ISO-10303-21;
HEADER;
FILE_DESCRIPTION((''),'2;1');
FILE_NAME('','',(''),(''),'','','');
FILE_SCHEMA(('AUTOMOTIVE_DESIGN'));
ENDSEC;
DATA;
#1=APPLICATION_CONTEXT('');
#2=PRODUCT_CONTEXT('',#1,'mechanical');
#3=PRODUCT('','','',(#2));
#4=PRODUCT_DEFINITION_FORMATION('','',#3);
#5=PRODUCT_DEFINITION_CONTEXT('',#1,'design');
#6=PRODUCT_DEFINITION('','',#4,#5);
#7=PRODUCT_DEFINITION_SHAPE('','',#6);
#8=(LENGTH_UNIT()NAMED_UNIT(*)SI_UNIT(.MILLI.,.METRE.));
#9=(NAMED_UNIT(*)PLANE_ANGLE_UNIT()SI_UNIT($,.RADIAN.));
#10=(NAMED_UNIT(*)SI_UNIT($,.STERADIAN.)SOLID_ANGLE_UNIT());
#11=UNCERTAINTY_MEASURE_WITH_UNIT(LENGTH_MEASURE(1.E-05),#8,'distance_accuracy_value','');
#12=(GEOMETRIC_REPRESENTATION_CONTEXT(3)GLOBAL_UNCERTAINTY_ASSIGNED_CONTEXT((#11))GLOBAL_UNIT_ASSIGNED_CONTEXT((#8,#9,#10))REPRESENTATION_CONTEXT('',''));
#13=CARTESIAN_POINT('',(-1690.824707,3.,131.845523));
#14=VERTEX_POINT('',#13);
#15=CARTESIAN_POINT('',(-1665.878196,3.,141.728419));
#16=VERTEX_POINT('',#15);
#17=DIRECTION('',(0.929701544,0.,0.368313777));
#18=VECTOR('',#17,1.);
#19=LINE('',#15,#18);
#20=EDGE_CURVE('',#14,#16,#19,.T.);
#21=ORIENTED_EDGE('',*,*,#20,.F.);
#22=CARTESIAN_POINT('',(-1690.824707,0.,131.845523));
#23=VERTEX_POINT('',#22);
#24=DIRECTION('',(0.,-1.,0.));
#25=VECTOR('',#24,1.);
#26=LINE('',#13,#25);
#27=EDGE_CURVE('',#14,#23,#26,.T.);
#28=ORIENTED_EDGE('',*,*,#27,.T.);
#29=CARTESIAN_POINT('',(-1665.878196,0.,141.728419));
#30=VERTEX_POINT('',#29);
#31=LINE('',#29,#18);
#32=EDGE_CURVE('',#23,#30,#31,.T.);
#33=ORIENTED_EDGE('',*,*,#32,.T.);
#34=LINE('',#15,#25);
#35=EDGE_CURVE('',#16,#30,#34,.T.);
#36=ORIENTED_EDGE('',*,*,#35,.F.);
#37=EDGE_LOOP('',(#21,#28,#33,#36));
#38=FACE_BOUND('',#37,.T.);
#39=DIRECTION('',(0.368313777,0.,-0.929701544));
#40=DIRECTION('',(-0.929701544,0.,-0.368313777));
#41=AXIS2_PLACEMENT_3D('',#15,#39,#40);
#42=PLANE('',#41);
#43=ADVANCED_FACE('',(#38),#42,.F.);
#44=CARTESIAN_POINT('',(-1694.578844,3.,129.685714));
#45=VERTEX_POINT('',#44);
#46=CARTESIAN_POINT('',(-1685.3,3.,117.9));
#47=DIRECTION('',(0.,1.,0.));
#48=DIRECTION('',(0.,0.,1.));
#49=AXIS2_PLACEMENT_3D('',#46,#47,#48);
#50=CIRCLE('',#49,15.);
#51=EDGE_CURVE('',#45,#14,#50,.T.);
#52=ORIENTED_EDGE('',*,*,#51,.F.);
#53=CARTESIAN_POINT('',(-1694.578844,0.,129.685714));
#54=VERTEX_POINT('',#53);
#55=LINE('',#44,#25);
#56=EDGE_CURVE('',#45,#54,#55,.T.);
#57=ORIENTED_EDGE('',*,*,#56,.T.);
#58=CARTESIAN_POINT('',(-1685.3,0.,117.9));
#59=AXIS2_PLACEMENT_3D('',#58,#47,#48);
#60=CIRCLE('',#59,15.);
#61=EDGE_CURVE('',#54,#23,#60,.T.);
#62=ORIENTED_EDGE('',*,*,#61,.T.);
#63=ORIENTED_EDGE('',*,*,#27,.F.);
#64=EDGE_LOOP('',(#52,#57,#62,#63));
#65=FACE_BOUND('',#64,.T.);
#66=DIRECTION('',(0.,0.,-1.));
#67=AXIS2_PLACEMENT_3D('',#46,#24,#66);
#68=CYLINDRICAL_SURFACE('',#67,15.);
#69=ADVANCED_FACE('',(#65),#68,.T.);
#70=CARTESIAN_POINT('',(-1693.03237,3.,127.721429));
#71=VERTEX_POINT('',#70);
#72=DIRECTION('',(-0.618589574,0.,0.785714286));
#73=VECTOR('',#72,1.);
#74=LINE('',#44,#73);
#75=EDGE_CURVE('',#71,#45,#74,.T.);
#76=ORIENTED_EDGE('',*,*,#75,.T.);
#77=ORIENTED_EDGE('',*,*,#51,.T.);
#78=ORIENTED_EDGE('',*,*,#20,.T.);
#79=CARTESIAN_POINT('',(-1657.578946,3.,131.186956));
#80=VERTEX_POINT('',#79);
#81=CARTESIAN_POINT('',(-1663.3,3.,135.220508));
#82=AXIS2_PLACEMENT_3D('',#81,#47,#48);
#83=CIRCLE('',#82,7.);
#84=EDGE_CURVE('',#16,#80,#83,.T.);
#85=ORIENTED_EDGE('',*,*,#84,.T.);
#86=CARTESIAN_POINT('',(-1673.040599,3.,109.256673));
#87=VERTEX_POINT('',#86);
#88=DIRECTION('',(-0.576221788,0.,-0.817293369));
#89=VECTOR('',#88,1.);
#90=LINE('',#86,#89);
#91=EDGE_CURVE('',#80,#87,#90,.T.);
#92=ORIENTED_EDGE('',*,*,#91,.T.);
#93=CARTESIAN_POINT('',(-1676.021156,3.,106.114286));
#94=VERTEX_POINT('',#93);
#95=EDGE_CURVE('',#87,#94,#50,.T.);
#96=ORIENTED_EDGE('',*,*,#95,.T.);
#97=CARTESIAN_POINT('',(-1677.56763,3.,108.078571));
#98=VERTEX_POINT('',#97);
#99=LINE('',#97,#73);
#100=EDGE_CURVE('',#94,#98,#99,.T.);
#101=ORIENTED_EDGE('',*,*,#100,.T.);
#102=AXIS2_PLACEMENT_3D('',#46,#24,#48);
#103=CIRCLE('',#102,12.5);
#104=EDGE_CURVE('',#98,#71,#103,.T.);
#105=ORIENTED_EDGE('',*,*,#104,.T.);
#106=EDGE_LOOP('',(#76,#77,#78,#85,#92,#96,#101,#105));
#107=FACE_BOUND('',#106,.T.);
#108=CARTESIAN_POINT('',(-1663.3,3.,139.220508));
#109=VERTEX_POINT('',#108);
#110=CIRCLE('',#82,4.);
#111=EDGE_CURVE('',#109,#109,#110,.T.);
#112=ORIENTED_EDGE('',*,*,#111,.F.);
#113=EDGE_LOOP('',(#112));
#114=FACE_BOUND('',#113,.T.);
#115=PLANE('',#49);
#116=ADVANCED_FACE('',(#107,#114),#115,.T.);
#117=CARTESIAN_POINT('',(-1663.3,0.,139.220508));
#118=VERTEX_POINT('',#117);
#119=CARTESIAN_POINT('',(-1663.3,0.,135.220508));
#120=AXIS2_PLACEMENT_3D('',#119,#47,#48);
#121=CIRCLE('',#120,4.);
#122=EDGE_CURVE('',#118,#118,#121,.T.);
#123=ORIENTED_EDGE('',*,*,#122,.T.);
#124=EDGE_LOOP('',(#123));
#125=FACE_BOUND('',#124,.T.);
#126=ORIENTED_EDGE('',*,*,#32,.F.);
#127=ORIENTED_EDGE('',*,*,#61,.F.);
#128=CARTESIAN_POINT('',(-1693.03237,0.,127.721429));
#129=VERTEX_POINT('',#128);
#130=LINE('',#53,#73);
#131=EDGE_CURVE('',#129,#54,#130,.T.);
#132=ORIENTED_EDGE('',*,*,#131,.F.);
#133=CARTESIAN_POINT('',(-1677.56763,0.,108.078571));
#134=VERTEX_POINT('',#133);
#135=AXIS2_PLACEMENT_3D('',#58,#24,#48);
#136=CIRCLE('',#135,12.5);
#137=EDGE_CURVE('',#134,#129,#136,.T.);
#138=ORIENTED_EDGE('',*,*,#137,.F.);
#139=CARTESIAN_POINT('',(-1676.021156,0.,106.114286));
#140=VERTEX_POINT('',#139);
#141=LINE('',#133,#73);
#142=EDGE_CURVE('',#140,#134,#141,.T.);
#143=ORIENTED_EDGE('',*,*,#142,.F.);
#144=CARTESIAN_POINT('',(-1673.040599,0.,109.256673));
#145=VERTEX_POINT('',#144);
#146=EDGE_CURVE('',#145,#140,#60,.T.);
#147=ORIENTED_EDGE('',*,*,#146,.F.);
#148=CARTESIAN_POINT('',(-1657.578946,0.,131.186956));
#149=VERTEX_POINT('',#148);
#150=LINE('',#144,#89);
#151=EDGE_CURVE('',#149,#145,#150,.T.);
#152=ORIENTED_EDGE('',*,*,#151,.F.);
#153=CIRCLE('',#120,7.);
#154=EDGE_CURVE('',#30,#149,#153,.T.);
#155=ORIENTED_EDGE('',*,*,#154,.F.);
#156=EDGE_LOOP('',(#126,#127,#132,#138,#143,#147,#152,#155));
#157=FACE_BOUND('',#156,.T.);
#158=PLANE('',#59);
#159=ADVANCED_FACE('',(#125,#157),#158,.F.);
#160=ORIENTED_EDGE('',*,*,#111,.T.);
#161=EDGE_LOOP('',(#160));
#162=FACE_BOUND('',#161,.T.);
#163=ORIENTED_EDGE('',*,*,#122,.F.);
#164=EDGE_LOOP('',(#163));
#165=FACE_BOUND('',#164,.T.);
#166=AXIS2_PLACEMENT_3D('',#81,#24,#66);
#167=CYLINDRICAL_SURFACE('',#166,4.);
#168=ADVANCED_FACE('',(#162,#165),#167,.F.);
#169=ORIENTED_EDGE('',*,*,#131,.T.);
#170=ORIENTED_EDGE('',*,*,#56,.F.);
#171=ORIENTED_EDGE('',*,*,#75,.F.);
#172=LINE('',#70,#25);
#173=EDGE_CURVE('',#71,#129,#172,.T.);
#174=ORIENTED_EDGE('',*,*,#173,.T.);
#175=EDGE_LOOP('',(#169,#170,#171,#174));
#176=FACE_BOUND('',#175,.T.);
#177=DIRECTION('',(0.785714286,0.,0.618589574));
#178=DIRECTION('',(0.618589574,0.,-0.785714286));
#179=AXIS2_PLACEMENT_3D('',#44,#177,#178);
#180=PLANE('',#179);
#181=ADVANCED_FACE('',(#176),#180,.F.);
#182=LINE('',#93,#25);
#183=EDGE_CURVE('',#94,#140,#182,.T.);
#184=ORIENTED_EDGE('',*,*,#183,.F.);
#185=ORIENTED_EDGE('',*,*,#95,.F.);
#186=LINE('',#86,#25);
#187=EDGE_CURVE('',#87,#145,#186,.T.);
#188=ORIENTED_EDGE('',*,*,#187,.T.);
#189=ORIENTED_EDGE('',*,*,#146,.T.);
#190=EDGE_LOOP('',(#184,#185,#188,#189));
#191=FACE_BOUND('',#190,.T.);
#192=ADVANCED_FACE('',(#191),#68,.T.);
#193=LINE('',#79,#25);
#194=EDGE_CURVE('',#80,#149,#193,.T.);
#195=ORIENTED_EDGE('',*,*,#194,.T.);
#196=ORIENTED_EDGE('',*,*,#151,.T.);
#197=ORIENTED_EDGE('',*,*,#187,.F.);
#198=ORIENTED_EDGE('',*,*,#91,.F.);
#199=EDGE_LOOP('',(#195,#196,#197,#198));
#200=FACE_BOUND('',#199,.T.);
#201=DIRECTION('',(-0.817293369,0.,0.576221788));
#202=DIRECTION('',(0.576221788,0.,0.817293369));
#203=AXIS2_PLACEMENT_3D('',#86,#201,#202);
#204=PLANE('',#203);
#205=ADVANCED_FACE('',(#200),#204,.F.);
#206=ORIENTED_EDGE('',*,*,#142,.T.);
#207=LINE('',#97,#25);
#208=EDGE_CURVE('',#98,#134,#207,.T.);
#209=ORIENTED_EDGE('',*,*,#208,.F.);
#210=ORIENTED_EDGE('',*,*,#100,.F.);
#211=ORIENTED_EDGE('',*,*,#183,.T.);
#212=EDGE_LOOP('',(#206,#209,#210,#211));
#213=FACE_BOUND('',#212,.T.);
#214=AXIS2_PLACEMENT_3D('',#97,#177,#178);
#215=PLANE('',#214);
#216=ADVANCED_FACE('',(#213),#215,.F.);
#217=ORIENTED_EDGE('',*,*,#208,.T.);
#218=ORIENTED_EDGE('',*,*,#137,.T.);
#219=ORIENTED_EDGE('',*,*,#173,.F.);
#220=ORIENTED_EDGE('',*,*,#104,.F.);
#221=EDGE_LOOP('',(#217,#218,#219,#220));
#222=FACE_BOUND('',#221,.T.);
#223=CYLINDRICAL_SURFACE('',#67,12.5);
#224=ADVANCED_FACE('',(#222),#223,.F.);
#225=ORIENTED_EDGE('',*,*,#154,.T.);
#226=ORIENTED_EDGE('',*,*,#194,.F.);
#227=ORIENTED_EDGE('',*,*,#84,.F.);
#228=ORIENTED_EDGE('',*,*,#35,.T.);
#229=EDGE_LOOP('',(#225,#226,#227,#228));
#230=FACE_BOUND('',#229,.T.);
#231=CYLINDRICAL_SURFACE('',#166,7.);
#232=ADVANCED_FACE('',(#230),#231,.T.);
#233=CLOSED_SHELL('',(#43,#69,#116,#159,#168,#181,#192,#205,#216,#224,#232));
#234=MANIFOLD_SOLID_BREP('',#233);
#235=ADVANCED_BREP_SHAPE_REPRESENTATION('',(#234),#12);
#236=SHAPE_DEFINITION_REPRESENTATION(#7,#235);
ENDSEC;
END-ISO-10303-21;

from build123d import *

# Parameters (mm, degrees)
SZKIC1_R                    = 4
DODANIE_WYCI_GNI_CIE1_DEPTH = 3


with BuildPart() as part:
    # Szkic1 → Dodanie-wyciągnięcie1 (new body)
    with BuildSketch(Plane(origin=(0, 0, 0), x_dir=(1, 0, 0), z_dir=(0, 1, 0))):
        with BuildLine():
            Line((-1665.878196442, -141.728418885), (-1690.824706662, -131.845523163))
            ThreePointArc((-1690.824706662, -131.845523163), (-1692.780138286, -130.901827995), (-1694.578843612, -129.685714286))
            Line((-1694.578843612, -129.685714286), (-1693.032369677, -127.721428571))
            ThreePointArc((-1693.032369677, -127.721428571), (-1675.478571429, -125.632369677), (-1677.567630323, -108.078571429))
            Line((-1677.567630323, -108.078571429), (-1676.021156388, -106.114285714))
            ThreePointArc((-1676.021156388, -106.114285714), (-1674.416864421, -107.577337555), (-1673.04059946, -109.256673186))
            Line((-1673.04059946, -109.256673186), (-1657.578946415, -131.186955563))
            ThreePointArc((-1657.578946415, -131.186955563), (-1657.8, -139.550635095), (-1665.878196442, -141.728418885))
        make_face()
        with Locations((-1663.3, -135.220508076)):
            Circle(SZKIC1_R, mode=Mode.SUBTRACT)
    extrude(amount=DODANIE_WYCI_GNI_CIE1_DEPTH)


solid = part.part
